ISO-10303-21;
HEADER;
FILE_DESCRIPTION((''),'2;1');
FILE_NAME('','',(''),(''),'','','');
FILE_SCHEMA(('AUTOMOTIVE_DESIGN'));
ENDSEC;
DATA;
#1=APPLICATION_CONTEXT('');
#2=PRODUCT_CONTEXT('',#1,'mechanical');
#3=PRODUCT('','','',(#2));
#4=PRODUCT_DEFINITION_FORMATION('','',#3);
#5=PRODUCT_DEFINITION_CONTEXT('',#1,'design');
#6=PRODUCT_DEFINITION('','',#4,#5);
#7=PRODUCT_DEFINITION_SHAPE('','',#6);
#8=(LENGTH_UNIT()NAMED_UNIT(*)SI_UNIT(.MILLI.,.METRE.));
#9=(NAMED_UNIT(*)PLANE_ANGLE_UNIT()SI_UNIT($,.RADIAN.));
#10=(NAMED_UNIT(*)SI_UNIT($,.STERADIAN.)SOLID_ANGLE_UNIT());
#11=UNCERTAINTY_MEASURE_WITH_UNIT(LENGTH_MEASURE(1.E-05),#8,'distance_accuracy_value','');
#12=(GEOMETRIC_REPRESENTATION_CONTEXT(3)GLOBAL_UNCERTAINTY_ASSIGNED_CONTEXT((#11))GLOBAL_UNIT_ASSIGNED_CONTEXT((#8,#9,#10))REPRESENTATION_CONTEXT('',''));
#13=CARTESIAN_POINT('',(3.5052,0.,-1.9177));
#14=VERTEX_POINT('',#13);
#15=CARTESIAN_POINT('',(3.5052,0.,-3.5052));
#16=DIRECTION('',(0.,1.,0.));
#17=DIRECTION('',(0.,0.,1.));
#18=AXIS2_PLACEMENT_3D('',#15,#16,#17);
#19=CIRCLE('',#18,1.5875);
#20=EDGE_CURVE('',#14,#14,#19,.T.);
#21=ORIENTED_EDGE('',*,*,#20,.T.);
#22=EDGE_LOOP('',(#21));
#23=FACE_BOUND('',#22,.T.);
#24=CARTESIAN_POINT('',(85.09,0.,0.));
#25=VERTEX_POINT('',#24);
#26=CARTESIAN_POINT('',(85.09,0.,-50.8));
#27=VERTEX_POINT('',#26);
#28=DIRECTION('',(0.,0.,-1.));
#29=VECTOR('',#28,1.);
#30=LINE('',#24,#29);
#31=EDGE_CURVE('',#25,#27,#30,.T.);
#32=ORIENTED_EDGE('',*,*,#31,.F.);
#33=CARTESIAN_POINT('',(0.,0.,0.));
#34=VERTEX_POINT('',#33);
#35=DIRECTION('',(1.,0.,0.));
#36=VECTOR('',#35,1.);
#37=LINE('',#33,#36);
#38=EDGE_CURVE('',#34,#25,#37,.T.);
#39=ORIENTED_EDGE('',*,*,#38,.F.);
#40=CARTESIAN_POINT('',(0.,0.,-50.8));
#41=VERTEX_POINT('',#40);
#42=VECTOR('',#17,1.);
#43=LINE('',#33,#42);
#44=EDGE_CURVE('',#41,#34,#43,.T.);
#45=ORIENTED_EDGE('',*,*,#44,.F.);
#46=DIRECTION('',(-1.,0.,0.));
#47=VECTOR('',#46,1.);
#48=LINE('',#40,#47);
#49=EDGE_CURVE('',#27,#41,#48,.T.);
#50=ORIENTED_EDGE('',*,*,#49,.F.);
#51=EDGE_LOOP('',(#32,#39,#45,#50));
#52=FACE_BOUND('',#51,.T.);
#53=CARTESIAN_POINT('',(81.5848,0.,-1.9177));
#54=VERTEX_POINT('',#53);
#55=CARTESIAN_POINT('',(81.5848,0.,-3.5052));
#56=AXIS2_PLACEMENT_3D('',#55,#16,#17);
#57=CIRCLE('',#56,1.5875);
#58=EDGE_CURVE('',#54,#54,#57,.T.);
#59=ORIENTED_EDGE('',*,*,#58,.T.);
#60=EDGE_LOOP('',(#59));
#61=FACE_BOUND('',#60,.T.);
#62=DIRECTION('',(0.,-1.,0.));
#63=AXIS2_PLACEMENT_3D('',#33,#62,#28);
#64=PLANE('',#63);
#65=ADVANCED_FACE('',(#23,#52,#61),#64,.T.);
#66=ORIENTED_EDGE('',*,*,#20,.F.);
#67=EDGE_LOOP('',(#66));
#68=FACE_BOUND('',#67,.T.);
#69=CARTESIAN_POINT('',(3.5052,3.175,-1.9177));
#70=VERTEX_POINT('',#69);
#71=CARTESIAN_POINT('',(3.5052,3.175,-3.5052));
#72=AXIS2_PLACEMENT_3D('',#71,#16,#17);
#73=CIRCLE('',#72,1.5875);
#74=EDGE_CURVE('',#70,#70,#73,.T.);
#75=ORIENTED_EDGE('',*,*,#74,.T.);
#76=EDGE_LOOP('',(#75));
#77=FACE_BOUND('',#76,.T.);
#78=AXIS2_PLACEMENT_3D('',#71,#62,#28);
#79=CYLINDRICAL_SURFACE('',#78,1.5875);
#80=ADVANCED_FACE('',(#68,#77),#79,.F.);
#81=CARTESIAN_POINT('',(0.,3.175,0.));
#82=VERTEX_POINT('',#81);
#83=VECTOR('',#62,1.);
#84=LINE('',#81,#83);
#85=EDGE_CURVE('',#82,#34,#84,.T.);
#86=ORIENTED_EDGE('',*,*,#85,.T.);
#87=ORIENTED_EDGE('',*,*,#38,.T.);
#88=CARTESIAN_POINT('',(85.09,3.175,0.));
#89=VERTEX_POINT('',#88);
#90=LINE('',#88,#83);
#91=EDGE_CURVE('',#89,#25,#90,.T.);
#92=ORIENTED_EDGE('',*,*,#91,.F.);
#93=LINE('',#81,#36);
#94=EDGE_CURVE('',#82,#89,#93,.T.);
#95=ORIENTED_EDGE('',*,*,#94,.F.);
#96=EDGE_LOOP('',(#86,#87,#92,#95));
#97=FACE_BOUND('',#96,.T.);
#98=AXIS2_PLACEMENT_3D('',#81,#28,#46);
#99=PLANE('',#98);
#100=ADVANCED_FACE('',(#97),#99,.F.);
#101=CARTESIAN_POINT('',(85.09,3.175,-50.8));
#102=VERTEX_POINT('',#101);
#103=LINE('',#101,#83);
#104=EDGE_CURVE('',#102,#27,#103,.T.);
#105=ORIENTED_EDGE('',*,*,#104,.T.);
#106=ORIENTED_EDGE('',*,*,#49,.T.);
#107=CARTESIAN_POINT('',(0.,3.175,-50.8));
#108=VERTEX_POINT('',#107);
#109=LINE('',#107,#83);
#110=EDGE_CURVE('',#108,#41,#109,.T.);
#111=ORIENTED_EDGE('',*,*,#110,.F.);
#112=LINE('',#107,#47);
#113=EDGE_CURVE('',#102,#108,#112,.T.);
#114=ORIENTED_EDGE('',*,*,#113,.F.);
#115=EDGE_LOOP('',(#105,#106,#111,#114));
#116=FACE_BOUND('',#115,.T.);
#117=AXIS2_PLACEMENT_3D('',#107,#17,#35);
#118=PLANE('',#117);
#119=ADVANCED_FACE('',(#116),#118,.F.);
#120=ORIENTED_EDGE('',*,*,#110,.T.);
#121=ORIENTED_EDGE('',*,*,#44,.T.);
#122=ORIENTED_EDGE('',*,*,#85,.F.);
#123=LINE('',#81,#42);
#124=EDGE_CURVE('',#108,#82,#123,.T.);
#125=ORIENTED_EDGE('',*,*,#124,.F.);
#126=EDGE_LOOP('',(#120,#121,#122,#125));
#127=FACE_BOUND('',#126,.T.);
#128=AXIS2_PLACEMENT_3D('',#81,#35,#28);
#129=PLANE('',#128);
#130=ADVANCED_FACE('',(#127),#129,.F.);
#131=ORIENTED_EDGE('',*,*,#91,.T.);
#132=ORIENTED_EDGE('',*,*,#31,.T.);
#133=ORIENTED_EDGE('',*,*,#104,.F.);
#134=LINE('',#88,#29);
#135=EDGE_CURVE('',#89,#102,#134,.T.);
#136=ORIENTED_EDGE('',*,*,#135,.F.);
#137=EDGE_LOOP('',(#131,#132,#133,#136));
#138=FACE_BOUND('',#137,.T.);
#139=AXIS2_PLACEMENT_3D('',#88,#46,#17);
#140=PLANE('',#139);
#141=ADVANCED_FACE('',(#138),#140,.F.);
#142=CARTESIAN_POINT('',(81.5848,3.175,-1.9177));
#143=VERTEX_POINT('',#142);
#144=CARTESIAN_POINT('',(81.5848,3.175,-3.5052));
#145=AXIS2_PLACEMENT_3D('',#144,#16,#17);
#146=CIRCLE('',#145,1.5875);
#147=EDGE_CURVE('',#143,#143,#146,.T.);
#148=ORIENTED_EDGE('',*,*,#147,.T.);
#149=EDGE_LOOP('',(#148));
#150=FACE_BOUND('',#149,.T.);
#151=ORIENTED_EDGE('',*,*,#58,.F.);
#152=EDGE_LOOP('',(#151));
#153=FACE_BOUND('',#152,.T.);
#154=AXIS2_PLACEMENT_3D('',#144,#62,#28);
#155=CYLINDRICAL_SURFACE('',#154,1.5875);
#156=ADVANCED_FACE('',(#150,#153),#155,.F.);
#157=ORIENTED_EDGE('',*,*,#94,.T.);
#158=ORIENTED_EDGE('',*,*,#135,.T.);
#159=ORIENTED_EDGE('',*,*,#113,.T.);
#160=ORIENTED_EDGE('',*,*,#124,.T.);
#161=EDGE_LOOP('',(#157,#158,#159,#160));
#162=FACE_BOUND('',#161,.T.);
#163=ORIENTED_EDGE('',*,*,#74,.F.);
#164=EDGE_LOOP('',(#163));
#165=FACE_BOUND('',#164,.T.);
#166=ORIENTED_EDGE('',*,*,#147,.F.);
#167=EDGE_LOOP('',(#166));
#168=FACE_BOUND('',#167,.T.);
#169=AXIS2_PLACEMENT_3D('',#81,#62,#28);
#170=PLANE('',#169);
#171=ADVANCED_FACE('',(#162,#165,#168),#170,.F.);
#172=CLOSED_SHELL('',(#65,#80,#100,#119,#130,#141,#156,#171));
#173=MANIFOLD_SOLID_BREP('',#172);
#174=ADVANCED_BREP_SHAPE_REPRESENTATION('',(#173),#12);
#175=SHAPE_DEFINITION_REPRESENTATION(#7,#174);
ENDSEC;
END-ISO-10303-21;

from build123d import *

# Parameters (mm, degrees)
SKETCH1_W           = 85.09
SKETCH1_H           = 50.8
SKETCH1_R           = 1.5875
BOSS_EXTRUDE1_DEPTH = 3.175


with BuildPart() as part:
    # Sketch1 → Boss-Extrude1 (new body)
    with BuildSketch(Plane(origin=(0, 0, 0), x_dir=(1, 0, 0), z_dir=(0, 1, 0))):
        with Locations((42.545, 25.4)):
            Rectangle(SKETCH1_W, SKETCH1_H)
        with Locations(Location((3.5052, 3.5052, 0), (0, 0, 270))):
            Circle(SKETCH1_R, mode=Mode.SUBTRACT)
        with Locations(Location((81.5848, 3.5052, 0), (0, 0, 270))):
            Circle(SKETCH1_R, mode=Mode.SUBTRACT)
    extrude(amount=BOSS_EXTRUDE1_DEPTH)


solid = part.part
